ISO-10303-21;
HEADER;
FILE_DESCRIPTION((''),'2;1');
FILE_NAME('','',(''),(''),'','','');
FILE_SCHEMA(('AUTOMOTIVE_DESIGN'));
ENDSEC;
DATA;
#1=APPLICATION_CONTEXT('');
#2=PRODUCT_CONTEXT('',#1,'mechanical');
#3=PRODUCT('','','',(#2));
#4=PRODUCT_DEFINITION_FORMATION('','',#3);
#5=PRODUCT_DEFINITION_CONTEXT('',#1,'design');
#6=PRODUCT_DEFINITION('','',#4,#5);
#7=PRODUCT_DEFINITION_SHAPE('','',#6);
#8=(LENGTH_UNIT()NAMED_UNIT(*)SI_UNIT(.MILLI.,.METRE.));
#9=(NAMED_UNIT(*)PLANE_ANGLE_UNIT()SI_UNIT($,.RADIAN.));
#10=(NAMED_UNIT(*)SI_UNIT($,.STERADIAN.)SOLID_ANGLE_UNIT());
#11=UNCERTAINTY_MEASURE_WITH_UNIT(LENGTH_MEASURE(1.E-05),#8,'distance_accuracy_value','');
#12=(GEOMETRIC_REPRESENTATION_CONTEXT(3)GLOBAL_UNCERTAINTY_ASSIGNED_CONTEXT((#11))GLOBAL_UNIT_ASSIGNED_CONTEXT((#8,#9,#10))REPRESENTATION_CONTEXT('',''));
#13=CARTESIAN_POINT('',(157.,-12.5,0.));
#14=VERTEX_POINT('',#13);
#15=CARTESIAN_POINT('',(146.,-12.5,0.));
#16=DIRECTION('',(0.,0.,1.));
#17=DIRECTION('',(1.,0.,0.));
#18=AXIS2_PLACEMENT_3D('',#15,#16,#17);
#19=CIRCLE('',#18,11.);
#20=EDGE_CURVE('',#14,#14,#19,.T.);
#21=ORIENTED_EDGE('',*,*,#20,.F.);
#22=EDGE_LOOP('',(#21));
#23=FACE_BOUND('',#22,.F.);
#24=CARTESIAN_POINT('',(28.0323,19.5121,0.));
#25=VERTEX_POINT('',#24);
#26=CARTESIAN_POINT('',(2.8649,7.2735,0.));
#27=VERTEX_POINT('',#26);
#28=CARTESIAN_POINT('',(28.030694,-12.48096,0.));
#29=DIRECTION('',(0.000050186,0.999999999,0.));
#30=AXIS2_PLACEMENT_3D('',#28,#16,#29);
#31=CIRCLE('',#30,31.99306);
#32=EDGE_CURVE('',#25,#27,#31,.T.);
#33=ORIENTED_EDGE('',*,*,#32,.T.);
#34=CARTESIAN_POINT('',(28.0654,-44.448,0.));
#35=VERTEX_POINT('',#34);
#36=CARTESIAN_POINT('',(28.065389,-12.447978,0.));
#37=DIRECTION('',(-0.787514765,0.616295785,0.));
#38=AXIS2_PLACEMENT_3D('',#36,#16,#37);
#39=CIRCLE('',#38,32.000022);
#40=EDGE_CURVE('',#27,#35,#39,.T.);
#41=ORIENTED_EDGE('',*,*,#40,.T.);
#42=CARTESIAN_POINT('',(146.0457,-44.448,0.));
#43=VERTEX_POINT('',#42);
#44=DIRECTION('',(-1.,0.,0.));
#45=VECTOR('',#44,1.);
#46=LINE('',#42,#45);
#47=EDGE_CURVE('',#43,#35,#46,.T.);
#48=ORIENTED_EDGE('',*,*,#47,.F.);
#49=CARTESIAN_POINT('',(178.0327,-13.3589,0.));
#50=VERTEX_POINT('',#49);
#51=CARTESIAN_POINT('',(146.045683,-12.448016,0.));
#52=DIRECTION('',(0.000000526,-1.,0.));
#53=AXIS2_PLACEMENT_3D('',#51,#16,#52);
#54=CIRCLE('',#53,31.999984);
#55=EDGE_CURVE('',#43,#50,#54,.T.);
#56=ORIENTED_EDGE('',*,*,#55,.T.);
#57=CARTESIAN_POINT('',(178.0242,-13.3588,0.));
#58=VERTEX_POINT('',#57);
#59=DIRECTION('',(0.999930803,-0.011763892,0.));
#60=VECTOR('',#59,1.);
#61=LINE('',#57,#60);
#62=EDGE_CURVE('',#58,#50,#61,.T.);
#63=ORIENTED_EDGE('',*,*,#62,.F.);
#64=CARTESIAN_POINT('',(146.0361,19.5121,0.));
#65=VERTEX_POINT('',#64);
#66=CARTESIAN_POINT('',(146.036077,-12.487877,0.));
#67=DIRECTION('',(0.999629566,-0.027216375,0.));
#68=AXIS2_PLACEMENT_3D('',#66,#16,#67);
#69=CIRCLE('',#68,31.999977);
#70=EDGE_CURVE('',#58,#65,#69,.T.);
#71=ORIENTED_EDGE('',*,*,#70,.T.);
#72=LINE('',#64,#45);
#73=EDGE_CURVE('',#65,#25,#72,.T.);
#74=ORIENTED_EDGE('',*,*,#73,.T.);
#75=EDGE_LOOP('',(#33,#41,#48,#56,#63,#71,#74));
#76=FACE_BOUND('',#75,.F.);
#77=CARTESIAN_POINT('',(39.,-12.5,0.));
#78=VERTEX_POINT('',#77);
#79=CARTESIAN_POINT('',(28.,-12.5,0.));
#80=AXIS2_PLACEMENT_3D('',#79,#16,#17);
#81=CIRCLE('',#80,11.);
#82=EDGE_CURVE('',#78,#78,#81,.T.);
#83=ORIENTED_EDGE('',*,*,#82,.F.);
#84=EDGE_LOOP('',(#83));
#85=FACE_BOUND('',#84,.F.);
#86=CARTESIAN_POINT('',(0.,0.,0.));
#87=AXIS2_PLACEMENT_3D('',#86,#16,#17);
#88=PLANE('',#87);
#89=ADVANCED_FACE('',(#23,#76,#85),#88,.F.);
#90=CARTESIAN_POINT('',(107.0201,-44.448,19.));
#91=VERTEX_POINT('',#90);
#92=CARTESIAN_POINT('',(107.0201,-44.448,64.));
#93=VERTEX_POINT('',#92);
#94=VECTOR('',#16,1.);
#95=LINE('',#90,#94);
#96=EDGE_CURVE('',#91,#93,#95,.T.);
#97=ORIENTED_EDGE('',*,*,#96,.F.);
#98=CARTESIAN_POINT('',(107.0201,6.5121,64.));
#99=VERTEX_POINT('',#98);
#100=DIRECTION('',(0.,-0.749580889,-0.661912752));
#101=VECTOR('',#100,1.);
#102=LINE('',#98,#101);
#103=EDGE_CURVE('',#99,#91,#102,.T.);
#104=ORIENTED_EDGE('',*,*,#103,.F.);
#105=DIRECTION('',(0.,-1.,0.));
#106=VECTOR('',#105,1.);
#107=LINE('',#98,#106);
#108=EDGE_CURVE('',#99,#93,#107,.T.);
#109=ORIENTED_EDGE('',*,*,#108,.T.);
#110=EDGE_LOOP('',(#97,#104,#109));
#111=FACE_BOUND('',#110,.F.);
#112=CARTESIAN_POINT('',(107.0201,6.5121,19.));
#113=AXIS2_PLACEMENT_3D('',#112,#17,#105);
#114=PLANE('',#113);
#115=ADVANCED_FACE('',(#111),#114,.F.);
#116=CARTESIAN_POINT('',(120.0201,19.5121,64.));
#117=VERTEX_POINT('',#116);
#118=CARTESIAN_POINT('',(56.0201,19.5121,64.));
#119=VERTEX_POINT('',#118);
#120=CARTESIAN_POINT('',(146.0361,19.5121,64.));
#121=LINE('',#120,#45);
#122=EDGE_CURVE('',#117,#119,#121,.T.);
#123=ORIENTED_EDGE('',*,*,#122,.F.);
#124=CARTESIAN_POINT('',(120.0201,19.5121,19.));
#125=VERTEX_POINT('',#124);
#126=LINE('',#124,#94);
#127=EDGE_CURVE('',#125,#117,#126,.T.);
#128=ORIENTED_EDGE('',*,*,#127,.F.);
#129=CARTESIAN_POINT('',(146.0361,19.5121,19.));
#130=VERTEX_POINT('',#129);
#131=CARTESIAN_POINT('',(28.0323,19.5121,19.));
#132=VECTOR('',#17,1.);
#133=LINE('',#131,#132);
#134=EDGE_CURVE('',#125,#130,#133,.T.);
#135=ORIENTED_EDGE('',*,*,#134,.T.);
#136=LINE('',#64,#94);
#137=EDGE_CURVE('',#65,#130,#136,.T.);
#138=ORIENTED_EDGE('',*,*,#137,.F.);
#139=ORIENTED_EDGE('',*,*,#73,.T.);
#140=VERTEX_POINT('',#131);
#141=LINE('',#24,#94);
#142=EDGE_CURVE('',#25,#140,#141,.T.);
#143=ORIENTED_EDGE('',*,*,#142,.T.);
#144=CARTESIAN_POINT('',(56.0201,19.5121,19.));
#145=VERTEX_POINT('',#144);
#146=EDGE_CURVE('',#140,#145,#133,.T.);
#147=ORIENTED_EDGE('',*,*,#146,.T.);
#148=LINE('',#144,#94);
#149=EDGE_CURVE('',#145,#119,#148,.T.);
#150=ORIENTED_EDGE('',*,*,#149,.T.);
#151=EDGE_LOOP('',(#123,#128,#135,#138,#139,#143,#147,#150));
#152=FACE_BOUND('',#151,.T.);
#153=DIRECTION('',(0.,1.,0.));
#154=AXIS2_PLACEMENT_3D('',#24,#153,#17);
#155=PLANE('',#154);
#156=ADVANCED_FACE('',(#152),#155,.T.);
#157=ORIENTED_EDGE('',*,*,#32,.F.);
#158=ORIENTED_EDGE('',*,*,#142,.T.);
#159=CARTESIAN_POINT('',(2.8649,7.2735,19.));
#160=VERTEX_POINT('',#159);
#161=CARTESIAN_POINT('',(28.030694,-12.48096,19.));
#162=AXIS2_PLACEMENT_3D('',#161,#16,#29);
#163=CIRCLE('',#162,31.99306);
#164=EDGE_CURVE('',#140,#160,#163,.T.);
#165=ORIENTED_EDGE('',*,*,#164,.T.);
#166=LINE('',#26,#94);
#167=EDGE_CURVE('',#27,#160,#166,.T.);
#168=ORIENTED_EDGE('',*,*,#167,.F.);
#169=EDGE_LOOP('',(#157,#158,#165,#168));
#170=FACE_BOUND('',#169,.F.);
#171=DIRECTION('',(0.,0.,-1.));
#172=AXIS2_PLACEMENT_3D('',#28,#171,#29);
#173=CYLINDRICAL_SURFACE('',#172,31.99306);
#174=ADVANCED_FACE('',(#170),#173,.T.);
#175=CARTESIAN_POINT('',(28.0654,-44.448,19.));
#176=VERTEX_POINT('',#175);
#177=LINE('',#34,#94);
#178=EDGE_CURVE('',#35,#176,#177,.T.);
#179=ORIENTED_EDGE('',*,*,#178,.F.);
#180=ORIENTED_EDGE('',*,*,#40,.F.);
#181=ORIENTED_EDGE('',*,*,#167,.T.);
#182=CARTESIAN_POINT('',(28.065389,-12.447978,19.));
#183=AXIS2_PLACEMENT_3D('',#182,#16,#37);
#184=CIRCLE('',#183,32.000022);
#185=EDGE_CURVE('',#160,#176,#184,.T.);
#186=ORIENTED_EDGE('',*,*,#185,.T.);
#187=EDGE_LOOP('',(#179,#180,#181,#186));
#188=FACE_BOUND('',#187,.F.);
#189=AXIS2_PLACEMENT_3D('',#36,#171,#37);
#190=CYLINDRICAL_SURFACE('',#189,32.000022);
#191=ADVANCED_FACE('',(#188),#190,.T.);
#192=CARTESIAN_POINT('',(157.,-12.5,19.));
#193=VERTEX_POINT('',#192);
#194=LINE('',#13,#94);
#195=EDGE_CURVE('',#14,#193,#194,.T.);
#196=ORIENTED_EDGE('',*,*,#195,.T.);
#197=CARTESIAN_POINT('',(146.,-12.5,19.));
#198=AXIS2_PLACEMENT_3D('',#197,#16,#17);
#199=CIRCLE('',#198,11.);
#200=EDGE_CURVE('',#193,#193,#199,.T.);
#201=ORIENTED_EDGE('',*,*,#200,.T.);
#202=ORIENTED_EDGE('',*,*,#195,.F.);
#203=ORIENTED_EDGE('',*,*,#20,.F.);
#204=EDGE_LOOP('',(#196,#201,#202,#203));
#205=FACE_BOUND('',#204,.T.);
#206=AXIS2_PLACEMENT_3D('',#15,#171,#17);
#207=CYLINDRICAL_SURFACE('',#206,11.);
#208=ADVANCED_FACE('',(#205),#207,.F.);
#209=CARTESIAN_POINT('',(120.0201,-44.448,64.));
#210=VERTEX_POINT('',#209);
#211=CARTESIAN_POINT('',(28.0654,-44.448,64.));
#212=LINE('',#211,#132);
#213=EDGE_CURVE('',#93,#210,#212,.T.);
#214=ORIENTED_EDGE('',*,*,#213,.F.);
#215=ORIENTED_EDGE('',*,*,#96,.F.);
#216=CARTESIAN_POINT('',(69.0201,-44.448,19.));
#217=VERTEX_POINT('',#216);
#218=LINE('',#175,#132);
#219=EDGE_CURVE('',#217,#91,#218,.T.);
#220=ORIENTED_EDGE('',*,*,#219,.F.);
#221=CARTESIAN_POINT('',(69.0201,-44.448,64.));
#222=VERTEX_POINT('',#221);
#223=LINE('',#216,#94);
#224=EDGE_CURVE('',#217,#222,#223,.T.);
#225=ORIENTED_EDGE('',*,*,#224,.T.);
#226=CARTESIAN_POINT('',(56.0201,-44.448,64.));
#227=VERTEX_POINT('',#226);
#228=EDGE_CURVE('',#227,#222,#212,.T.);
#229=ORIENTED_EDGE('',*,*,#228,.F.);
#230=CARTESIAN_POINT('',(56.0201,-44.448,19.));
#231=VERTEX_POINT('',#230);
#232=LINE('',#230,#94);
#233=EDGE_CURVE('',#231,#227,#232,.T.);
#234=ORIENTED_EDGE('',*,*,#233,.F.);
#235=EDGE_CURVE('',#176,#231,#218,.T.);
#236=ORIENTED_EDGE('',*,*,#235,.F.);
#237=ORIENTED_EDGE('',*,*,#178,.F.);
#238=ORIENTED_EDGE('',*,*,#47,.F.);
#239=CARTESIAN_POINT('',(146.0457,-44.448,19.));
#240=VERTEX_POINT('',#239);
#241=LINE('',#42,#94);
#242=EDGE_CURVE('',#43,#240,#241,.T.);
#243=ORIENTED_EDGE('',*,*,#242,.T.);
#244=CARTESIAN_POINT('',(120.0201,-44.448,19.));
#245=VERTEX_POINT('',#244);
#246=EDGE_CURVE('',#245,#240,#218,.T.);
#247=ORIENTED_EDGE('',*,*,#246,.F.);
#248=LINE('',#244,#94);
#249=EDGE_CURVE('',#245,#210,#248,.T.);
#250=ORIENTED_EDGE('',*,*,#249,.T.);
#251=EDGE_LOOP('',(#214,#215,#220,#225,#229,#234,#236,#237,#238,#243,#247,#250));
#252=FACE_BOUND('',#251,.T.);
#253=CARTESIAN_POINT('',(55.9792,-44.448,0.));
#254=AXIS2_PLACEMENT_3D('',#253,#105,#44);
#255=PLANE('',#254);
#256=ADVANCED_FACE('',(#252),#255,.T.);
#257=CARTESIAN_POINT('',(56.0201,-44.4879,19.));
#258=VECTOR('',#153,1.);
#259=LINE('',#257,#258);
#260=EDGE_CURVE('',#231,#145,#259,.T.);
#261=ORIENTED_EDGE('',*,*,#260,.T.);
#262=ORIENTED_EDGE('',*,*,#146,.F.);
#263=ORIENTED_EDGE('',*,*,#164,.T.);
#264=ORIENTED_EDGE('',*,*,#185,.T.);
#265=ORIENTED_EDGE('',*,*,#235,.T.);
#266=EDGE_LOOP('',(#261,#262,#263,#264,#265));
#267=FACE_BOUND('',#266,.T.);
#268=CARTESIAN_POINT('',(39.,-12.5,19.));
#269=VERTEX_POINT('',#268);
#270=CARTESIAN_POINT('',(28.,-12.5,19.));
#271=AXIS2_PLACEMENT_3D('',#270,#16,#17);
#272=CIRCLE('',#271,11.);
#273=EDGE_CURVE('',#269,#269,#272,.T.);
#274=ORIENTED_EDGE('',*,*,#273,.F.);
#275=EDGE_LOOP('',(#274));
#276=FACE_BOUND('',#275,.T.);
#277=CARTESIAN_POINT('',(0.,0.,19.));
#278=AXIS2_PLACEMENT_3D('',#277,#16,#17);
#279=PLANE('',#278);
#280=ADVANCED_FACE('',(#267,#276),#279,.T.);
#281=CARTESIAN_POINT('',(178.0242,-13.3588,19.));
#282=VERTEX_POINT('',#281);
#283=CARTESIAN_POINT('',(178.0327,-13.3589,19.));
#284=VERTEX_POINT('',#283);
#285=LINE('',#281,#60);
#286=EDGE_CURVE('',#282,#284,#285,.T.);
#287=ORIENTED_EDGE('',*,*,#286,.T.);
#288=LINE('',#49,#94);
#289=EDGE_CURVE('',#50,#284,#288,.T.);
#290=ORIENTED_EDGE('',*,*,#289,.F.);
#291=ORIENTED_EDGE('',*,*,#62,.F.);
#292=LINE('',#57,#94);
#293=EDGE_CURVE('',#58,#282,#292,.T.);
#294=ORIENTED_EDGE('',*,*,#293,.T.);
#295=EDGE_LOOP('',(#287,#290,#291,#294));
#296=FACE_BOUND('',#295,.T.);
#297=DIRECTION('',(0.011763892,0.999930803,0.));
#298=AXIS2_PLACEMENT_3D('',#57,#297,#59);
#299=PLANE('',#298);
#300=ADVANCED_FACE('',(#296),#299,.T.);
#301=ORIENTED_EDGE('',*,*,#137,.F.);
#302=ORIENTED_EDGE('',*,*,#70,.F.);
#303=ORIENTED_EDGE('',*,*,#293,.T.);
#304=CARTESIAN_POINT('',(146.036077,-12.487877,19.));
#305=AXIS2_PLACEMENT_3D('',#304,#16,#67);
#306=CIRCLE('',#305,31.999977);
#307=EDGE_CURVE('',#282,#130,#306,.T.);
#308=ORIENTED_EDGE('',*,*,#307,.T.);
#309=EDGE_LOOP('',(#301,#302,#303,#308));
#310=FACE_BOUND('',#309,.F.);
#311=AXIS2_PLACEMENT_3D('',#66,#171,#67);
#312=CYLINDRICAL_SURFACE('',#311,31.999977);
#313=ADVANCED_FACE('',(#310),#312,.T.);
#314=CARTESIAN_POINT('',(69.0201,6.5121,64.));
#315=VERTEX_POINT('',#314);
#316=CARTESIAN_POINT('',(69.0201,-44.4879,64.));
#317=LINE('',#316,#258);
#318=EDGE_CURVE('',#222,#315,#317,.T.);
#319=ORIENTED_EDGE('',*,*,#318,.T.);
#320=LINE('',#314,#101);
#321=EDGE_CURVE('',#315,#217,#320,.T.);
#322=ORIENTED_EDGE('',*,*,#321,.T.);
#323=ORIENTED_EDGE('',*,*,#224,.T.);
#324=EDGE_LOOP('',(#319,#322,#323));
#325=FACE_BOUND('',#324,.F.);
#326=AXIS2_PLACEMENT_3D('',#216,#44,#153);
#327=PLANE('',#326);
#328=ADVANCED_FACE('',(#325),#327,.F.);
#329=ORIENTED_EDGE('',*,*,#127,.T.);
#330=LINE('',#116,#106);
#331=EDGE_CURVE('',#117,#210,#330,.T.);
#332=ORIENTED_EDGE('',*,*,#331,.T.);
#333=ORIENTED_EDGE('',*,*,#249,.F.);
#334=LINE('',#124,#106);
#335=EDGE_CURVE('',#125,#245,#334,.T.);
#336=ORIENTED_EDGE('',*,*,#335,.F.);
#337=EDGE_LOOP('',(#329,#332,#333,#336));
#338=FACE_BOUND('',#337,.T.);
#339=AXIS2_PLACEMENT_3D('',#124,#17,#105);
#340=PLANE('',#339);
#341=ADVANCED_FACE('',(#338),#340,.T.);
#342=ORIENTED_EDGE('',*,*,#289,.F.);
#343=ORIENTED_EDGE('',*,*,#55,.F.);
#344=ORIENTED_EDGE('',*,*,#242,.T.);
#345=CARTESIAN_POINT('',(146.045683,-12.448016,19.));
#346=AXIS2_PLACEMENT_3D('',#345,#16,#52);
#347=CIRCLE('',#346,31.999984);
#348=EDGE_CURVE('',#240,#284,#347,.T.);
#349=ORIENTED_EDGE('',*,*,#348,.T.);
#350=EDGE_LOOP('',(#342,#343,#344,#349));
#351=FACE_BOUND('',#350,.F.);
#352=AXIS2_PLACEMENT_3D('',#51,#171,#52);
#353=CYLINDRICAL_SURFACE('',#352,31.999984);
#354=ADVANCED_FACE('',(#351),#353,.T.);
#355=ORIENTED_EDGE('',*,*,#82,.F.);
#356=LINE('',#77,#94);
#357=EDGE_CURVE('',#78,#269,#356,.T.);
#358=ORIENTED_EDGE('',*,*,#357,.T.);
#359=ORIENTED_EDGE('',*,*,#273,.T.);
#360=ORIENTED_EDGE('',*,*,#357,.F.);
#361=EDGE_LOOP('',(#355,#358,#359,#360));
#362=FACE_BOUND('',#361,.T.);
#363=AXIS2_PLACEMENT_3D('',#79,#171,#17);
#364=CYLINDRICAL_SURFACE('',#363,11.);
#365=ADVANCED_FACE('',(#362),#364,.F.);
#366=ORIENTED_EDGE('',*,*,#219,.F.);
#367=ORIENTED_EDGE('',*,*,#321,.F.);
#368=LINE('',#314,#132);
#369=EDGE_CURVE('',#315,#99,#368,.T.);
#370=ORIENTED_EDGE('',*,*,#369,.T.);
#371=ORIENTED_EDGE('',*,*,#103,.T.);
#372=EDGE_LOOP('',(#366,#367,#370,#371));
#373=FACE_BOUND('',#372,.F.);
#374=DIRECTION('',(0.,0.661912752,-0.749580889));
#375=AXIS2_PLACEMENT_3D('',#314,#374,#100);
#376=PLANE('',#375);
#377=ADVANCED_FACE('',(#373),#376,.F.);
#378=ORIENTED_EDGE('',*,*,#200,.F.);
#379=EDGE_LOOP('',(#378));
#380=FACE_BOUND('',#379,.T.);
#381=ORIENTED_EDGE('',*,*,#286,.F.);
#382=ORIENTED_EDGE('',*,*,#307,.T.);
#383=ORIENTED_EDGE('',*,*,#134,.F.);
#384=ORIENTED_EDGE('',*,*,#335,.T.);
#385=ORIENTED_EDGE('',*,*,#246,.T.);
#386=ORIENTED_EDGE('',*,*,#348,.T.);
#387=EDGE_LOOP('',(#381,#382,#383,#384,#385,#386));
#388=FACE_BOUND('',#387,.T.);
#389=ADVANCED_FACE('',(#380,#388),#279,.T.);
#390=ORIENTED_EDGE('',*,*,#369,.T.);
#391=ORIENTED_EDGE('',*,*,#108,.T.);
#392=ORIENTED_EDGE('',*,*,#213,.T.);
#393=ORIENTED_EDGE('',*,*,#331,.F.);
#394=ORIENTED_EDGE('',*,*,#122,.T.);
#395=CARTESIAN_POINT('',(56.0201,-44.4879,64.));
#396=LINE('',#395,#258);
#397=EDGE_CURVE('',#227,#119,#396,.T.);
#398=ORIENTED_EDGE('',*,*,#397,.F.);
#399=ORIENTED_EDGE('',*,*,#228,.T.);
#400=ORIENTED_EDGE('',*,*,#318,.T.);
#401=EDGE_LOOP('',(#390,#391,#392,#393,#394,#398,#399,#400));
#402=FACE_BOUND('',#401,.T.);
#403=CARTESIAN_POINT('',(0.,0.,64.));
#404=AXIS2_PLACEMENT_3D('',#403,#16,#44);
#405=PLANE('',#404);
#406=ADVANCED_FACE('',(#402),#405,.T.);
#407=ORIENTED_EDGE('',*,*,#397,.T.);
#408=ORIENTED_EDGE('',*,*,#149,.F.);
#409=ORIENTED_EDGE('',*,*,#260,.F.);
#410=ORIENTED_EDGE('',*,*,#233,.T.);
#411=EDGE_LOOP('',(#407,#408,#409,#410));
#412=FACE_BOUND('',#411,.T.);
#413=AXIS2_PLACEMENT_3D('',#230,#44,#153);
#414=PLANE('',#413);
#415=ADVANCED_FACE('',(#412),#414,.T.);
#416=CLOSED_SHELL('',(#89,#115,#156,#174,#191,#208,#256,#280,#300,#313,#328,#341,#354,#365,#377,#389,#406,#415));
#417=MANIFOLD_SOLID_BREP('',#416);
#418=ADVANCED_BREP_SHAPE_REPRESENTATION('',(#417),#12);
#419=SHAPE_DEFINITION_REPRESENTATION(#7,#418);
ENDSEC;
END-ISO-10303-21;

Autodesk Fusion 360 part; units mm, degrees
sketch "Sketch1" plane through (0, 0, 0) normal (0, 0, 1) x (1, 0, 0)
  line L0 (28.0323, 19.5121) -> (146.0361, 19.5121)
  line L1 (178.0242, -13.3588) -> (178.0327, -13.3589)
  line L2 (146.0457, -44.448) -> (28.0654, -44.448)
  line L3 (2.8649, 7.2735) -> (2.8643, 7.275)
  arc A0 (2.8649, 7.2735) -> (28.0654, -44.448) centre (28.0654, -12.448) ccw
  arc A1 (28.0323, 19.5121) -> (2.8643, 7.275) centre (28.0323, -12.4879) ccw
  arc A2 (178.0242, -13.3588) -> (146.0361, 19.5121) centre (146.0361, -12.4879) ccw
  arc A3 (146.0457, -44.448) -> (178.0327, -13.3589) centre (146.0457, -12.448) ccw
  circle A4 centre (28, -12.5) radius 11
  circle A5 centre (146, -12.5) radius 11
  line L4 (55.9792, 19.5121) -> (119.9792, 19.5121)
  line L5 (119.9792, 19.5121) -> (119.9792, -44.4879)
  line L6 (119.9792, -44.4879) -> (55.9792, -44.4879)
  line L7 (55.9792, -44.4879) -> (55.9792, 19.5121)
  point P0 (-1.9465, 19.5121)
  point P1 (176.0535, 19.5121)
  point P2 (0.3124, -44.448)
  dimension "d1" = 178
  dimension "d2" = 64
  dimension "d3" = 32
  dimension "d4" = 32
  dimension "d5" = 32
  dimension "d6" = 32
  dimension "d7" = 22
  dimension "d8" = 22
  dimension "d9" = 64
  dimension "d10" = 64
extrude "Extrude1" add sketch "Sketch1" along normal blind 19 contours L0 L2 A0 A1 L7 | L0 L2 L4 L5 L7 | L0 L1 L2 A2 A3 L5
sketch "Sketch2" plane through (0, 0, 19) normal (0, 0, 1) x (-1, 0, 0)
  circle A0 centre (-146, 12.5) radius 11
  circle A1 centre (-28, 12.5) radius 11
  arc A2 (-28.0323, -19.5121) -> (-2.8643, -7.275) centre (-28.0323, 12.4879) ccw
  line L0 (-2.8643, -7.275) -> (-2.8649, -7.2735)
  arc A3 (-2.8649, -7.2735) -> (-28.0654, 44.448) centre (-28.0654, 12.448) ccw
  line L1 (-28.0654, 44.448) -> (-146.0457, 44.448)
  arc A4 (-146.0457, 44.448) -> (-178.0327, 13.3589) centre (-146.0457, 12.448) ccw
  line L2 (-178.0327, 13.3589) -> (-178.0242, 13.3588)
  arc A5 (-178.0242, 13.3588) -> (-146.0361, -19.5121) centre (-146.0361, 12.4879) ccw
  line L3 (-146.0361, -19.5121) -> (-28.0323, -19.5121)
  line L4 (-56.0201, -19.5121) -> (-120.0201, -19.5121)
  line L5 (-120.0201, -19.5121) -> (-120.0201, 44.4879)
  line L6 (-120.0201, 44.4879) -> (-56.0201, 44.4879)
  line L7 (-56.0201, 44.4879) -> (-56.0201, -19.5121)
  line L8 (-56.0201, 44.4879) -> (-69.0201, 44.4879)
  line L9 (-69.0201, 44.4879) -> (-69.0201, -6.5121)
  line L10 (-69.0201, -6.5121) -> (-107.0201, -6.5121)
  line L11 (-107.0201, -6.5121) -> (-107.0201, 44.4879)
  line L12 (-107.0201, 44.4879) -> (-120.0201, 44.4879)
  dimension "d13" = 64
  dimension "d14" = 64
  dimension "d15" = 13
  dimension "d16" = 51
  dimension "d17" = 38
  dimension "d18" = 51
extrude "Extrude2" add sketch "Sketch2" along normal blind 45 contours L1 L3 L4 L5 L7 L9 L10 L11
sketch "Sketch3" plane through (69.0201, 0, 0) normal (1, 0, 0) x (0, 1, 0)
  line L0 (-44.448, 19) -> (6.5121, 19)
  line L1 (6.5121, 19) -> (6.5121, 64)
  line L2 (6.5121, 64) -> (-44.448, 64)
  line L3 (-44.448, 64) -> (-44.448, 19)
  line L4 (-44.448, 19) -> (6.552, 19)
  line L5 (6.552, 19) -> (6.5121, 64)
  line L6 (6.5121, 64) -> (-44.448, 19)
  dimension "d21" = 51
extrude "Extrude3" add sketch "Sketch3" along normal blind 38 contours L0 L1 L4 L6
